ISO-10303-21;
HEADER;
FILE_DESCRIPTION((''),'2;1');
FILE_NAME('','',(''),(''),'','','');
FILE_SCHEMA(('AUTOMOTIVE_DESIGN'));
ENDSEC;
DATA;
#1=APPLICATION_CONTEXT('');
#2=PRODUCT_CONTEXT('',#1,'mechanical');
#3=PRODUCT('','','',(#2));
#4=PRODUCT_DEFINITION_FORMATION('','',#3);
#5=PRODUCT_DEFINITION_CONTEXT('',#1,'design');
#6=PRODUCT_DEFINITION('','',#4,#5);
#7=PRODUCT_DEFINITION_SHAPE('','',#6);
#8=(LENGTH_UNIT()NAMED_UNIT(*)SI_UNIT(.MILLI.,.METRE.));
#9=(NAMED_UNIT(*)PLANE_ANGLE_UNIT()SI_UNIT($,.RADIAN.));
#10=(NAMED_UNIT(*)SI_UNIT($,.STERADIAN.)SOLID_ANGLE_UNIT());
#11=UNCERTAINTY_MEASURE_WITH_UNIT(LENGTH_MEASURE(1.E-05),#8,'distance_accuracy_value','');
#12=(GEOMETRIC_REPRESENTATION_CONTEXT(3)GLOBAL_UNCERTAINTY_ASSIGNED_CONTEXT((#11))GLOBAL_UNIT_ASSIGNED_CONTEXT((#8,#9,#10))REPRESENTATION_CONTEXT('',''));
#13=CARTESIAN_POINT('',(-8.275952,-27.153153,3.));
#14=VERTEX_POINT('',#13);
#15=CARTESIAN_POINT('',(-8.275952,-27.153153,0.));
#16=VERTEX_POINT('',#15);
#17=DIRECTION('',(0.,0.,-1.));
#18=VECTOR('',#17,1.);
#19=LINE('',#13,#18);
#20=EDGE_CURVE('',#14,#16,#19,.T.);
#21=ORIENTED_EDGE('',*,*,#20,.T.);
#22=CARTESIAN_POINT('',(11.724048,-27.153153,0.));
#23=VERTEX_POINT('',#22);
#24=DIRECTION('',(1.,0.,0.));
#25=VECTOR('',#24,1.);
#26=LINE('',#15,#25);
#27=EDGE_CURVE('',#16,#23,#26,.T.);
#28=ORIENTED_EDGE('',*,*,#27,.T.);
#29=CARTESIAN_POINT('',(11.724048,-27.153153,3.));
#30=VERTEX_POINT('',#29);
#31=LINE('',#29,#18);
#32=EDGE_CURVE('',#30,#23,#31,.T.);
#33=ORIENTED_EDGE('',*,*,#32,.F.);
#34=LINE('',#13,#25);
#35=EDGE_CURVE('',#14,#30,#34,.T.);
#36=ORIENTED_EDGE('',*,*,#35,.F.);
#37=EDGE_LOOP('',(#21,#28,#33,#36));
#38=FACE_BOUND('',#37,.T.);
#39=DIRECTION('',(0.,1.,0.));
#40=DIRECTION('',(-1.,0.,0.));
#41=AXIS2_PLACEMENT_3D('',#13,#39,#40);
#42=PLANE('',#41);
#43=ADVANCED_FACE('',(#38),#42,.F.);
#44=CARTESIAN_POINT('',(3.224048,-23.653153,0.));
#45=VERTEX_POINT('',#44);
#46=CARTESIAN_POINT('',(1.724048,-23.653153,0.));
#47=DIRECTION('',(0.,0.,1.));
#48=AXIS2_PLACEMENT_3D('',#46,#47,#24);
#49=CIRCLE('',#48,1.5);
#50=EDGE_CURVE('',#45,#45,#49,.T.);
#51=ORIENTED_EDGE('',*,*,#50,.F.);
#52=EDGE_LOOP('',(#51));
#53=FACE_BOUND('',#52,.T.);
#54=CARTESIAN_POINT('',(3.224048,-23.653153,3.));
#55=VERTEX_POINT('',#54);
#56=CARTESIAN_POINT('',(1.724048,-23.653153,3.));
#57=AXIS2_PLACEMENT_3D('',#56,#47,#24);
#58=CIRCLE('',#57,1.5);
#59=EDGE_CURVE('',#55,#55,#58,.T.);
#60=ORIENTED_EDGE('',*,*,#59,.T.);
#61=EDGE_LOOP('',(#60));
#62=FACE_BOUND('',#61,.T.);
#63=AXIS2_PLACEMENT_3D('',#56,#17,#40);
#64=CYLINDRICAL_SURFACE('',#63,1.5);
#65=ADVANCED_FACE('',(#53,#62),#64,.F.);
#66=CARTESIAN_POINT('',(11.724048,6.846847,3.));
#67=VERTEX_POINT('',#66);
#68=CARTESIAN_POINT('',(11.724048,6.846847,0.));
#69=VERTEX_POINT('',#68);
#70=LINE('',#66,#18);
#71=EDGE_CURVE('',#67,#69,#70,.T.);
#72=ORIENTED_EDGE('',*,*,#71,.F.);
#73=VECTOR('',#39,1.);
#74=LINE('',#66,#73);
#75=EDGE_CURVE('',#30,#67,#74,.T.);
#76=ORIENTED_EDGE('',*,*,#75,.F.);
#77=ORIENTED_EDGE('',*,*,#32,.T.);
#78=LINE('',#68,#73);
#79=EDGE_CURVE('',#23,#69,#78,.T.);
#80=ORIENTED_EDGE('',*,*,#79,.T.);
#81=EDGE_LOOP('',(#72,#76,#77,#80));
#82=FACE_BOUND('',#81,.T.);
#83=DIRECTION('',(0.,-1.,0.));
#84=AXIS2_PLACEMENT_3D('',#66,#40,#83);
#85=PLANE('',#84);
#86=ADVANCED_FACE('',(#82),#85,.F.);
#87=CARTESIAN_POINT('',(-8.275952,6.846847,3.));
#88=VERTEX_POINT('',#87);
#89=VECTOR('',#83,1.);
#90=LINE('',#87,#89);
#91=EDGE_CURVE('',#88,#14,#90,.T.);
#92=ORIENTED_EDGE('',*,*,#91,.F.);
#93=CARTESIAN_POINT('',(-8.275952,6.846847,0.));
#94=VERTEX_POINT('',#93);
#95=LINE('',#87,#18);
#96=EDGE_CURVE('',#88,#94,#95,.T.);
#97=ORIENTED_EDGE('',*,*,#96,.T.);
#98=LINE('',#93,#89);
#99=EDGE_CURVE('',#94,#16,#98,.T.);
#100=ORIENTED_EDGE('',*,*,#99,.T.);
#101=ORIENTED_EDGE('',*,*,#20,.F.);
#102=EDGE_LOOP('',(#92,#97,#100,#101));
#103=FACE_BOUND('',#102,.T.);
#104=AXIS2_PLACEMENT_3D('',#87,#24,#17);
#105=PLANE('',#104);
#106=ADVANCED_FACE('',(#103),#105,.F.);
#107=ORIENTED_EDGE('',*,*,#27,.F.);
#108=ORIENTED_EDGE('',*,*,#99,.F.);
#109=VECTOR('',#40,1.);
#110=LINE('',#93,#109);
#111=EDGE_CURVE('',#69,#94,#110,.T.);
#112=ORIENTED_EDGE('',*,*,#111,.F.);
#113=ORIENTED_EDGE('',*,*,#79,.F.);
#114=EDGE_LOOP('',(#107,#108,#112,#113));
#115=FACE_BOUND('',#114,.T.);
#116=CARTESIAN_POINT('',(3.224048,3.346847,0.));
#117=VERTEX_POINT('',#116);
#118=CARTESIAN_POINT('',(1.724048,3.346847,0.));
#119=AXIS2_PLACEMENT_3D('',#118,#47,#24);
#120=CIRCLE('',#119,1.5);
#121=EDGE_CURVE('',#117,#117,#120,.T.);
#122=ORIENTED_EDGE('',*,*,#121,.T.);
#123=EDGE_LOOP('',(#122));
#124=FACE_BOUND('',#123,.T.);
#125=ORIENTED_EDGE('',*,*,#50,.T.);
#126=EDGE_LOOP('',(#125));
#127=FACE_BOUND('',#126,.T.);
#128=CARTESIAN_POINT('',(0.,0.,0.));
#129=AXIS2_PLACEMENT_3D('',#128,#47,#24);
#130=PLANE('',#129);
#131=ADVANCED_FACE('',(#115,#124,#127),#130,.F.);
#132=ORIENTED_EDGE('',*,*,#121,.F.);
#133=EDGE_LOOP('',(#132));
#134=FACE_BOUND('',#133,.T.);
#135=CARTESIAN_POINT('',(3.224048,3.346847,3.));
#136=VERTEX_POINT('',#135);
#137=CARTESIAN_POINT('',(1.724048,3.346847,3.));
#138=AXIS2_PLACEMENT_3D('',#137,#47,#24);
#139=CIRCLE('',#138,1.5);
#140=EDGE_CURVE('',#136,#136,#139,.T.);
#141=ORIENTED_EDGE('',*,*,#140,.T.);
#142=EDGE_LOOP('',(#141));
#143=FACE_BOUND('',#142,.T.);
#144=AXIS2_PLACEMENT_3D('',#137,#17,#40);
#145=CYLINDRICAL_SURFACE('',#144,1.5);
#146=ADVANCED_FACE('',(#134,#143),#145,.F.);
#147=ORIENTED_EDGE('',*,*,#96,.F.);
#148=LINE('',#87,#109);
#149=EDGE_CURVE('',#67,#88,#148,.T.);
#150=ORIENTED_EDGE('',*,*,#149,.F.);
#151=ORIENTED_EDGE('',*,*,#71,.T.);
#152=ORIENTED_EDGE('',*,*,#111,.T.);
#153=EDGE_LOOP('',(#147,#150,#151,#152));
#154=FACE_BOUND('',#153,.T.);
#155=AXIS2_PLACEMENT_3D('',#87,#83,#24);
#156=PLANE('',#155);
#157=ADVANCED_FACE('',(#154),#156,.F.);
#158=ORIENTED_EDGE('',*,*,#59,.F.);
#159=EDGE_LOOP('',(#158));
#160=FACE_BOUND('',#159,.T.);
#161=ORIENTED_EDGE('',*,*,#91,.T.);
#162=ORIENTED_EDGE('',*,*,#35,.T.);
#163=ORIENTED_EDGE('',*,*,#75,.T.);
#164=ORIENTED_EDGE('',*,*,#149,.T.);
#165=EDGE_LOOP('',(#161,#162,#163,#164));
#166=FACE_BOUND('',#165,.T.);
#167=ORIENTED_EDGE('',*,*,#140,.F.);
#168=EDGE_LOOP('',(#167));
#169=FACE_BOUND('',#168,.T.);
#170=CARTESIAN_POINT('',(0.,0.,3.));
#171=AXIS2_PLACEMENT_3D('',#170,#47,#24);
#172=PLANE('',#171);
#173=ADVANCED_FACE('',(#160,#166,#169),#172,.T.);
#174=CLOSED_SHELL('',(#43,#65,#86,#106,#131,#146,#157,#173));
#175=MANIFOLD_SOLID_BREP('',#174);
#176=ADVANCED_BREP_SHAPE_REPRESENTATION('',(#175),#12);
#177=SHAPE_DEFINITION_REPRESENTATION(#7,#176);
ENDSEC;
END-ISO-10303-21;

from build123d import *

# Parameters (mm, degrees)
ESQUISSE1_W        = 20
ESQUISSE1_H        = 34
ESQUISSE1_R        = 1.5
BOSS_EXTRU_1_DEPTH = 3


with BuildPart() as part:
    # Esquisse1 → Boss.-Extru.1 (new body)
    with BuildSketch(Plane.XY):
        with Locations((1.724048373, -10.153153153)):
            Rectangle(ESQUISSE1_W, ESQUISSE1_H)
        with Locations((1.724048373, 3.346846847)):
            Circle(ESQUISSE1_R, mode=Mode.SUBTRACT)
        with Locations((1.724048373, -23.653153153)):
            Circle(ESQUISSE1_R, mode=Mode.SUBTRACT)
    extrude(amount=BOSS_EXTRU_1_DEPTH)


solid = part.part
